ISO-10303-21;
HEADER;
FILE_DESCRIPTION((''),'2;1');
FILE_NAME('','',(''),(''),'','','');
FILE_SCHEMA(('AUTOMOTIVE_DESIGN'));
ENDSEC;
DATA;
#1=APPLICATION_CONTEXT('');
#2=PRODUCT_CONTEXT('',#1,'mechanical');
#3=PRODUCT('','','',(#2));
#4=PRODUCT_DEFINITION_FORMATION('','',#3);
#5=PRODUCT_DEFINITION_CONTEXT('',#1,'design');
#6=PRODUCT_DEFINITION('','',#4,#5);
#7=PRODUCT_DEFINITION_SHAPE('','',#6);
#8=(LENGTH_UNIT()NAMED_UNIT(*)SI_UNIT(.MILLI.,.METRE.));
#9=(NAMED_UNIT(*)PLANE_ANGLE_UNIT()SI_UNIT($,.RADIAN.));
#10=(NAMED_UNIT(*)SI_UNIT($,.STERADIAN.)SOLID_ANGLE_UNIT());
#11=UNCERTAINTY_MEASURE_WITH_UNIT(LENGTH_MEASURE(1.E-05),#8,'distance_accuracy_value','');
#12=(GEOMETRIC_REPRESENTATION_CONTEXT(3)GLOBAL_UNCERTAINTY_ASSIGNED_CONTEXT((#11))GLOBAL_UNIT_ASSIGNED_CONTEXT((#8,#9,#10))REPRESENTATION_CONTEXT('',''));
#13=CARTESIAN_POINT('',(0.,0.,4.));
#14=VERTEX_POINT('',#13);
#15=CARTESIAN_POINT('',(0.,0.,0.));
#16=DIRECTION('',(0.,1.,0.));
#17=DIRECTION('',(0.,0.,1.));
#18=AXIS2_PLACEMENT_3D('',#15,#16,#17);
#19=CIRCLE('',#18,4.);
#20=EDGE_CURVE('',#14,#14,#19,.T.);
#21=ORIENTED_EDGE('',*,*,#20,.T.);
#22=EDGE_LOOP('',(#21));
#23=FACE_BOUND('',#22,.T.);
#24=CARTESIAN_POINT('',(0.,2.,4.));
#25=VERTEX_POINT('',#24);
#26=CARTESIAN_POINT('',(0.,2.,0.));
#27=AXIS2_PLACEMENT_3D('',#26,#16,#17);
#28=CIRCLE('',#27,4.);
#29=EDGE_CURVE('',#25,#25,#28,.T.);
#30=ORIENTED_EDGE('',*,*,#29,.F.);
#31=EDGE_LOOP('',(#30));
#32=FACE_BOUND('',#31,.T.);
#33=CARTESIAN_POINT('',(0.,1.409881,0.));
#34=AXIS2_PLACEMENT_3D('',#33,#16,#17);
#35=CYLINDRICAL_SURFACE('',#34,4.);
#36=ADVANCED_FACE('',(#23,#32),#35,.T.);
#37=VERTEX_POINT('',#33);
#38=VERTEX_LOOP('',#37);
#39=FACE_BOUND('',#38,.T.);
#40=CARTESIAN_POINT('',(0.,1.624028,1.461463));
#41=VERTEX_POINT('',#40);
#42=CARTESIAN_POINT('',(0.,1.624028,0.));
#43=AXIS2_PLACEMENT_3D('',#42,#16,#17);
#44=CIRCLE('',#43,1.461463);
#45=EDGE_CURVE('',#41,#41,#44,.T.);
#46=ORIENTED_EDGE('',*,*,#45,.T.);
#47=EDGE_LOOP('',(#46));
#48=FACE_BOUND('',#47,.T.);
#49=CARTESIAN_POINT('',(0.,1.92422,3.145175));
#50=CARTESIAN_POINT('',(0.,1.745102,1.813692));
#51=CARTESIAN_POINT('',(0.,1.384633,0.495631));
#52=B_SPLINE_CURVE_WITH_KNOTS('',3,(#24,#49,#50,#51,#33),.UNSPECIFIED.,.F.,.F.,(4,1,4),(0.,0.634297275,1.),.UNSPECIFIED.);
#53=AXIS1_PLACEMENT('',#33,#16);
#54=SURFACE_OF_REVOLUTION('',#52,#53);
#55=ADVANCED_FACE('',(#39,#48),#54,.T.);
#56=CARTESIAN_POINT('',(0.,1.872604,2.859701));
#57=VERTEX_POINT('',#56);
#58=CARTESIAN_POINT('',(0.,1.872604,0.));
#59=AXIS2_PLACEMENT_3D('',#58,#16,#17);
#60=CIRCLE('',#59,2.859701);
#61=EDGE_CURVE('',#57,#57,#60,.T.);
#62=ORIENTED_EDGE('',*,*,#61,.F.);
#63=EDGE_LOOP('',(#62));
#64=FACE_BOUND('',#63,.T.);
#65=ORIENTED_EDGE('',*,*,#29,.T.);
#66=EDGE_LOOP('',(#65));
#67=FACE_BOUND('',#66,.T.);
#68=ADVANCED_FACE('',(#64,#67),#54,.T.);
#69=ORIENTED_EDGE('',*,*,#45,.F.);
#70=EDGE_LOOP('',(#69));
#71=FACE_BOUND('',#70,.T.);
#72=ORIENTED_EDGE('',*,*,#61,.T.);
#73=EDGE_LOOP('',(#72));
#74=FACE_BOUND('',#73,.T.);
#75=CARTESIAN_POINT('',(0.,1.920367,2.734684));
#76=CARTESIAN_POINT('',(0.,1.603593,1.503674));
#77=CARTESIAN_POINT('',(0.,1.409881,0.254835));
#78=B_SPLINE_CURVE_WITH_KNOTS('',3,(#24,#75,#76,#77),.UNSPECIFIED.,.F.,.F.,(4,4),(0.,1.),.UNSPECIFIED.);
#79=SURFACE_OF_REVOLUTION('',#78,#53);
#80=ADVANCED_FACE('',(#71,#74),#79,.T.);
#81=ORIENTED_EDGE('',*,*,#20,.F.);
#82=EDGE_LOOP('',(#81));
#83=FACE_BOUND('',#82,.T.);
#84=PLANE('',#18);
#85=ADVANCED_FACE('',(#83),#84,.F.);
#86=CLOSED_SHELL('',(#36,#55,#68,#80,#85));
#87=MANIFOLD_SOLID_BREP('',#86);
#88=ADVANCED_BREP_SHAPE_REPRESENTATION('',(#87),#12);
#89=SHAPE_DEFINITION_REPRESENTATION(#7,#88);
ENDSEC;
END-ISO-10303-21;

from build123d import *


with BuildPart() as part:
    # Sketch1 → Revolve2 (revolve)
    with BuildSketch(Plane(origin=(0, 0, 0), x_dir=(0, 0, -1), z_dir=(1, 0, 0))):
        with BuildLine():
            Line((0, 0), (0, 1.409881482))
            add(Edge.make_bspline(
                [(0, 1.409881482), (-0.49563057, 1.384632652), (-0.977649174, 1.51645743), (-1.461462843, 1.624028414)],
                knots=[0.937044655, 0.937044655, 0.937044655, 0.937044655, 1.30274738, 1.30274738, 1.30274738, 1.30274738], degree=3))
            add(Edge.make_bspline(
                [(-2.859700783, 1.872604048), (-2.391935239, 1.801412307), (-1.92676807, 1.712251769), (-1.461462843, 1.624028414)],
                knots=[0.302499858, 0.302499858, 0.302499858, 0.302499858, 0.676912537, 0.676912537, 0.676912537, 0.676912537], degree=3))
            add(Edge.make_bspline(
                [(-4, 2), (-3.617994461, 1.966135213), (-3.238039539, 1.924714957), (-2.859700783, 1.872604048)],
                knots=[0, 0, 0, 0, 0.283455875, 0.283455875, 0.283455875, 0.283455875], degree=3))
            Line((-4, 2), (-4, 0))
            Line((-4, 0), (0, 0))
        make_face()
    revolve(axis=Axis((0, 1.409881482, 0), (0, -1, 0)))


solid = part.part
